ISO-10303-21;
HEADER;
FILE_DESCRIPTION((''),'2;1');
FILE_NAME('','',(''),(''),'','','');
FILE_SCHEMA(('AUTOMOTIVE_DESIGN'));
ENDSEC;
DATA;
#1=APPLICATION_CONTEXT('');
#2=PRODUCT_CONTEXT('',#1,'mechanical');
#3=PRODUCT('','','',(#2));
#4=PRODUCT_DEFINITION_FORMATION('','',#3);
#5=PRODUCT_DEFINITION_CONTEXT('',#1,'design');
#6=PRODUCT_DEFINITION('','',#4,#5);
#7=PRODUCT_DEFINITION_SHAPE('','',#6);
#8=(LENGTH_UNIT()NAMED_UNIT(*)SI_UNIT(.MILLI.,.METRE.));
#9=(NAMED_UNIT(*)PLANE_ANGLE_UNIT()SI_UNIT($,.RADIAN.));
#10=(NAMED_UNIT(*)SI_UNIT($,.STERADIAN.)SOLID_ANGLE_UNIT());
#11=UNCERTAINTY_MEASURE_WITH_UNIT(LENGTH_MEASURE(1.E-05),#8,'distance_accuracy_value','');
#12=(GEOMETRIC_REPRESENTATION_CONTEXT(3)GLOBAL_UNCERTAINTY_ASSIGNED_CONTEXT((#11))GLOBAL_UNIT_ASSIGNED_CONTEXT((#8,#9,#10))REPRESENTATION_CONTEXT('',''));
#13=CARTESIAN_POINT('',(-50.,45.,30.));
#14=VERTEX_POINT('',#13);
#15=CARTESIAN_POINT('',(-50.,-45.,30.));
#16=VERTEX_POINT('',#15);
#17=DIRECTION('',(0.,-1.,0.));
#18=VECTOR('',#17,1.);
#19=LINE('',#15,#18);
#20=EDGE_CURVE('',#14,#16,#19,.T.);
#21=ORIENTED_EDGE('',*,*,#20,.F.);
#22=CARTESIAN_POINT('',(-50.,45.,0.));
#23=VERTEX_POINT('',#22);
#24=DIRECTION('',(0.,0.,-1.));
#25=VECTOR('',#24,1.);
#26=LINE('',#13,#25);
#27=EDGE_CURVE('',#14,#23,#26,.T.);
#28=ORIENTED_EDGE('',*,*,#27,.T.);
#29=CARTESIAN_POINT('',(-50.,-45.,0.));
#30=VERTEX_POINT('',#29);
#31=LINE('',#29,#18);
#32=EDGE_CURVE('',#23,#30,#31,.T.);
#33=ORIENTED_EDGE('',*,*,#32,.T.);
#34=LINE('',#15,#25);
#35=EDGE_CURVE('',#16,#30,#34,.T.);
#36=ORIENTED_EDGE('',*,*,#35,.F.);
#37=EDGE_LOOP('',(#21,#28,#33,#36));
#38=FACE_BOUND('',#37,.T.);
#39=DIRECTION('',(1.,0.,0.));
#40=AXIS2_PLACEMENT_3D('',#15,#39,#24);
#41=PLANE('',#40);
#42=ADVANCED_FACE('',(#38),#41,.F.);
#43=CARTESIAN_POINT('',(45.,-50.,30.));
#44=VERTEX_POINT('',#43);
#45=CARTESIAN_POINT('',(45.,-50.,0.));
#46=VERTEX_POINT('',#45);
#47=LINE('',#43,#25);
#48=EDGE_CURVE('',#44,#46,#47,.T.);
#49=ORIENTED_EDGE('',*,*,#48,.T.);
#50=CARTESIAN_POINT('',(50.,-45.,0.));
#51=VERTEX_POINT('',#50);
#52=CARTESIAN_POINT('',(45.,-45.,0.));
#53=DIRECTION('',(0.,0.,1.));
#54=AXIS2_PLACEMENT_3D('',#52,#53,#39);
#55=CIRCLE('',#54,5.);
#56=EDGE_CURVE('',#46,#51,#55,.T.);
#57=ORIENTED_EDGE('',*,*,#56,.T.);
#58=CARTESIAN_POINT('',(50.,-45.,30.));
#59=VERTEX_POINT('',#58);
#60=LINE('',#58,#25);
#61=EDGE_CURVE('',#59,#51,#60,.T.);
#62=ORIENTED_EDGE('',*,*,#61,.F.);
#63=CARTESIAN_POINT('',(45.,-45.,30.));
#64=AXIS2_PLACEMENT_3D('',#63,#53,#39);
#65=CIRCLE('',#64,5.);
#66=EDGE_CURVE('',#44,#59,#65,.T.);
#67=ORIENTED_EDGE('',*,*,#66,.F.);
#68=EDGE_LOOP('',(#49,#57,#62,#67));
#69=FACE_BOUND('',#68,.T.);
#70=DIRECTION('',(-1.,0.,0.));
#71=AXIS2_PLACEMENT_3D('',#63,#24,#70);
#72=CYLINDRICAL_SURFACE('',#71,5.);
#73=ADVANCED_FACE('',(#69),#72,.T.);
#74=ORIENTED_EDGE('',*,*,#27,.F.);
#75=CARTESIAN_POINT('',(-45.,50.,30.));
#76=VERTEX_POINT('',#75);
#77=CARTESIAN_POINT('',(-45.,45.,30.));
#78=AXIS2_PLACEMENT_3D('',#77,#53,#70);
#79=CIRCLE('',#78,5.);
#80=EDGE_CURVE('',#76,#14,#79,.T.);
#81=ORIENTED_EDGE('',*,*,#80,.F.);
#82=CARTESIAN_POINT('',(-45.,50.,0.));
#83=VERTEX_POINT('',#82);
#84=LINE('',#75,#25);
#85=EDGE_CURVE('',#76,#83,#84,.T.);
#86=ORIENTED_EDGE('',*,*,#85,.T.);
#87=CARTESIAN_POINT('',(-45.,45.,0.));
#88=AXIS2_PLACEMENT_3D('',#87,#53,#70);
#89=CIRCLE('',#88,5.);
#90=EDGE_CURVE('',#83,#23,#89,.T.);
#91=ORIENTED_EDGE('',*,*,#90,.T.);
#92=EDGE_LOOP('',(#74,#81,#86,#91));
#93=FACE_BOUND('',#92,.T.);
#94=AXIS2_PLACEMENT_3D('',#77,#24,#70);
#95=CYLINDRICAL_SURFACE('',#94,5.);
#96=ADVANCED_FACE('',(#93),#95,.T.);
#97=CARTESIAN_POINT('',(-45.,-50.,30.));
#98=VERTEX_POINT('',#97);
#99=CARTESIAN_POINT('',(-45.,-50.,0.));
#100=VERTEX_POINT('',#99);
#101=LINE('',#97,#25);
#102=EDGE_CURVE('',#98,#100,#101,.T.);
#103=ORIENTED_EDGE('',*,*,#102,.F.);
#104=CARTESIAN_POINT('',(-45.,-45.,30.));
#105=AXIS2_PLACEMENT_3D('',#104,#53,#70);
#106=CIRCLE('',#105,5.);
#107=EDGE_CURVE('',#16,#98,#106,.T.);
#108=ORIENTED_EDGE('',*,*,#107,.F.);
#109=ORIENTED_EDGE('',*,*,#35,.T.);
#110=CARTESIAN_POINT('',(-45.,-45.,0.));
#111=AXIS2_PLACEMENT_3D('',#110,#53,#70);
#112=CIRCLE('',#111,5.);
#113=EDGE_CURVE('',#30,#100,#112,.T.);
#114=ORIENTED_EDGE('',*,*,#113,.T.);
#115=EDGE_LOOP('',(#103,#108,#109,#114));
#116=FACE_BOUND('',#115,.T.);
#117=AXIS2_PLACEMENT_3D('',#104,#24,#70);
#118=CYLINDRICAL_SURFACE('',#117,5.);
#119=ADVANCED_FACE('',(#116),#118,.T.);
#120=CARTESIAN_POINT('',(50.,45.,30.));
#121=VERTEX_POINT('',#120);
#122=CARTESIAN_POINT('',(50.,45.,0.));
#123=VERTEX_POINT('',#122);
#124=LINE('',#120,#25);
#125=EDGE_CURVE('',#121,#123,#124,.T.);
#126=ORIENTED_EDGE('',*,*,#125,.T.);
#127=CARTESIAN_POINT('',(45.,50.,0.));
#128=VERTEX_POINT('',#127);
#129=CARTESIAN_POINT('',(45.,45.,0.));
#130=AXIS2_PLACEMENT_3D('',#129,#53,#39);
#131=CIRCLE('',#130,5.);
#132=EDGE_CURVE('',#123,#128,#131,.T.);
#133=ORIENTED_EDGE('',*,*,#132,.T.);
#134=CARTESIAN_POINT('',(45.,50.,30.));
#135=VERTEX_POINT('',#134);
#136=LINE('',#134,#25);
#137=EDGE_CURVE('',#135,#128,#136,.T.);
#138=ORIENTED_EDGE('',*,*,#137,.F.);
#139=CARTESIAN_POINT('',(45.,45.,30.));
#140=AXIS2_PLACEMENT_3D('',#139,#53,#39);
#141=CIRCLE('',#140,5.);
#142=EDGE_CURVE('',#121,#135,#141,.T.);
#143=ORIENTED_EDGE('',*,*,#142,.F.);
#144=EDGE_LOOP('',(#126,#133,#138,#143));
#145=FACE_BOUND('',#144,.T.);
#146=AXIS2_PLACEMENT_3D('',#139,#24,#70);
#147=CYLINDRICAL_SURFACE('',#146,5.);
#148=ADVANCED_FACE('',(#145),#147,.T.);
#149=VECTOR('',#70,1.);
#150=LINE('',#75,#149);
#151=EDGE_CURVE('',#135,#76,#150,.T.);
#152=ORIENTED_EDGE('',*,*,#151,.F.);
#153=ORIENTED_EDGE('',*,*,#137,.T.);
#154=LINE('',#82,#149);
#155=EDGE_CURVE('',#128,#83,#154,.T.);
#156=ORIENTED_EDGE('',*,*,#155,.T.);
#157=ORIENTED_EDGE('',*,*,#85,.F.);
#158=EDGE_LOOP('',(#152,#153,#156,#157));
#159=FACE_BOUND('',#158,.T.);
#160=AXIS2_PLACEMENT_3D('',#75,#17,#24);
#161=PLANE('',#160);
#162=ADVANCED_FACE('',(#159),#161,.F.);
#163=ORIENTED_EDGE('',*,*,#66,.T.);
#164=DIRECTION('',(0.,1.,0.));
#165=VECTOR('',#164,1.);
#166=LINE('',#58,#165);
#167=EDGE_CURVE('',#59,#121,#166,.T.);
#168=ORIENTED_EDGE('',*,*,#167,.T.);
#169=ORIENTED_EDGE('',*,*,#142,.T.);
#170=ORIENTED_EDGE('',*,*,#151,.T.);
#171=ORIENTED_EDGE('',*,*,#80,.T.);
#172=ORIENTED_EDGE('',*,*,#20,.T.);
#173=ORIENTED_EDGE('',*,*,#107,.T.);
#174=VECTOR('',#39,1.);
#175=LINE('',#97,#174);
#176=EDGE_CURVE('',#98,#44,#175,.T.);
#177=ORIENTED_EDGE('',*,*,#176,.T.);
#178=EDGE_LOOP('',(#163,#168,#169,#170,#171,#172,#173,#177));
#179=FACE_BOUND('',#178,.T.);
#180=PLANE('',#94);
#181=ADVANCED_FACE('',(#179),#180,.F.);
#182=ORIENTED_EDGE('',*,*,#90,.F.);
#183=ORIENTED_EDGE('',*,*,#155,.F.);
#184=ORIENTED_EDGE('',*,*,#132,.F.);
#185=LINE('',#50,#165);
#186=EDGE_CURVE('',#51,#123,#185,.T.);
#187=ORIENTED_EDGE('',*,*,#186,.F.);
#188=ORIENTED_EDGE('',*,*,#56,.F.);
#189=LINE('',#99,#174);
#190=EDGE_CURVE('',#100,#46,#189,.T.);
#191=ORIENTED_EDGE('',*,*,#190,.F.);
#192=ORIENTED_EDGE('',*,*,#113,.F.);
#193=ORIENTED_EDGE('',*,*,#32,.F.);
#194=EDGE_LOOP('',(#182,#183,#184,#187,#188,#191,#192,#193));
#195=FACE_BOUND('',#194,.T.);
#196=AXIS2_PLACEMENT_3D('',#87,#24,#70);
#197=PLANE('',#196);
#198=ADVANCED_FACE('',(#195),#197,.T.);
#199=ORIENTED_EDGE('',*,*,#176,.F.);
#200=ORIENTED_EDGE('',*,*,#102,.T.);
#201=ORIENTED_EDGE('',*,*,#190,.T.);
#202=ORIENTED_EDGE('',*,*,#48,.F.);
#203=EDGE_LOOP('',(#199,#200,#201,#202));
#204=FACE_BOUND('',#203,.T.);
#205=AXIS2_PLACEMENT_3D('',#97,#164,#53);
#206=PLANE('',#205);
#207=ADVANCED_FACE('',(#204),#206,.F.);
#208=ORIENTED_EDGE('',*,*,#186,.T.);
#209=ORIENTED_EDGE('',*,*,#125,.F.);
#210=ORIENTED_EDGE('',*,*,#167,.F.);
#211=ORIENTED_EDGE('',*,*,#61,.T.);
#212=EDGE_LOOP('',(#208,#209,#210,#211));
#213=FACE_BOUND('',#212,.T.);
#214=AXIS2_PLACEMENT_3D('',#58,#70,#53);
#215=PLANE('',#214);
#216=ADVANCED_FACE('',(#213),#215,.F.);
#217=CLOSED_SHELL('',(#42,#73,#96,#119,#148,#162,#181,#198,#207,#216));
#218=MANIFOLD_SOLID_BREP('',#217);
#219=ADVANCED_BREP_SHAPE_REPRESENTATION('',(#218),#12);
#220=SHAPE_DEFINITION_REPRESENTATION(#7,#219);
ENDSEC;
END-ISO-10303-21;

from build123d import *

# Parameters (mm, degrees)
BOSS_EXTRUDE1_DEPTH = 30


with BuildPart() as part:
    # Sketch1 → Boss-Extrude1 (new body)
    with BuildSketch(Plane.XY):
        with BuildLine():
            Line((-45, -50), (45, -50))
            ThreePointArc((45, -50), (48.535533906, -48.535533906), (50, -45))
            Line((50, -45), (50, 45))
            ThreePointArc((50, 45), (48.535533906, 48.535533906), (45, 50))
            Line((45, 50), (-45, 50))
            ThreePointArc((-45, 50), (-48.535533906, 48.535533906), (-50, 45))
            Line((-50, 45), (-50, -45))
            ThreePointArc((-50, -45), (-48.535533906, -48.535533906), (-45, -50))
        make_face()
    extrude(amount=BOSS_EXTRUDE1_DEPTH)


solid = part.part
